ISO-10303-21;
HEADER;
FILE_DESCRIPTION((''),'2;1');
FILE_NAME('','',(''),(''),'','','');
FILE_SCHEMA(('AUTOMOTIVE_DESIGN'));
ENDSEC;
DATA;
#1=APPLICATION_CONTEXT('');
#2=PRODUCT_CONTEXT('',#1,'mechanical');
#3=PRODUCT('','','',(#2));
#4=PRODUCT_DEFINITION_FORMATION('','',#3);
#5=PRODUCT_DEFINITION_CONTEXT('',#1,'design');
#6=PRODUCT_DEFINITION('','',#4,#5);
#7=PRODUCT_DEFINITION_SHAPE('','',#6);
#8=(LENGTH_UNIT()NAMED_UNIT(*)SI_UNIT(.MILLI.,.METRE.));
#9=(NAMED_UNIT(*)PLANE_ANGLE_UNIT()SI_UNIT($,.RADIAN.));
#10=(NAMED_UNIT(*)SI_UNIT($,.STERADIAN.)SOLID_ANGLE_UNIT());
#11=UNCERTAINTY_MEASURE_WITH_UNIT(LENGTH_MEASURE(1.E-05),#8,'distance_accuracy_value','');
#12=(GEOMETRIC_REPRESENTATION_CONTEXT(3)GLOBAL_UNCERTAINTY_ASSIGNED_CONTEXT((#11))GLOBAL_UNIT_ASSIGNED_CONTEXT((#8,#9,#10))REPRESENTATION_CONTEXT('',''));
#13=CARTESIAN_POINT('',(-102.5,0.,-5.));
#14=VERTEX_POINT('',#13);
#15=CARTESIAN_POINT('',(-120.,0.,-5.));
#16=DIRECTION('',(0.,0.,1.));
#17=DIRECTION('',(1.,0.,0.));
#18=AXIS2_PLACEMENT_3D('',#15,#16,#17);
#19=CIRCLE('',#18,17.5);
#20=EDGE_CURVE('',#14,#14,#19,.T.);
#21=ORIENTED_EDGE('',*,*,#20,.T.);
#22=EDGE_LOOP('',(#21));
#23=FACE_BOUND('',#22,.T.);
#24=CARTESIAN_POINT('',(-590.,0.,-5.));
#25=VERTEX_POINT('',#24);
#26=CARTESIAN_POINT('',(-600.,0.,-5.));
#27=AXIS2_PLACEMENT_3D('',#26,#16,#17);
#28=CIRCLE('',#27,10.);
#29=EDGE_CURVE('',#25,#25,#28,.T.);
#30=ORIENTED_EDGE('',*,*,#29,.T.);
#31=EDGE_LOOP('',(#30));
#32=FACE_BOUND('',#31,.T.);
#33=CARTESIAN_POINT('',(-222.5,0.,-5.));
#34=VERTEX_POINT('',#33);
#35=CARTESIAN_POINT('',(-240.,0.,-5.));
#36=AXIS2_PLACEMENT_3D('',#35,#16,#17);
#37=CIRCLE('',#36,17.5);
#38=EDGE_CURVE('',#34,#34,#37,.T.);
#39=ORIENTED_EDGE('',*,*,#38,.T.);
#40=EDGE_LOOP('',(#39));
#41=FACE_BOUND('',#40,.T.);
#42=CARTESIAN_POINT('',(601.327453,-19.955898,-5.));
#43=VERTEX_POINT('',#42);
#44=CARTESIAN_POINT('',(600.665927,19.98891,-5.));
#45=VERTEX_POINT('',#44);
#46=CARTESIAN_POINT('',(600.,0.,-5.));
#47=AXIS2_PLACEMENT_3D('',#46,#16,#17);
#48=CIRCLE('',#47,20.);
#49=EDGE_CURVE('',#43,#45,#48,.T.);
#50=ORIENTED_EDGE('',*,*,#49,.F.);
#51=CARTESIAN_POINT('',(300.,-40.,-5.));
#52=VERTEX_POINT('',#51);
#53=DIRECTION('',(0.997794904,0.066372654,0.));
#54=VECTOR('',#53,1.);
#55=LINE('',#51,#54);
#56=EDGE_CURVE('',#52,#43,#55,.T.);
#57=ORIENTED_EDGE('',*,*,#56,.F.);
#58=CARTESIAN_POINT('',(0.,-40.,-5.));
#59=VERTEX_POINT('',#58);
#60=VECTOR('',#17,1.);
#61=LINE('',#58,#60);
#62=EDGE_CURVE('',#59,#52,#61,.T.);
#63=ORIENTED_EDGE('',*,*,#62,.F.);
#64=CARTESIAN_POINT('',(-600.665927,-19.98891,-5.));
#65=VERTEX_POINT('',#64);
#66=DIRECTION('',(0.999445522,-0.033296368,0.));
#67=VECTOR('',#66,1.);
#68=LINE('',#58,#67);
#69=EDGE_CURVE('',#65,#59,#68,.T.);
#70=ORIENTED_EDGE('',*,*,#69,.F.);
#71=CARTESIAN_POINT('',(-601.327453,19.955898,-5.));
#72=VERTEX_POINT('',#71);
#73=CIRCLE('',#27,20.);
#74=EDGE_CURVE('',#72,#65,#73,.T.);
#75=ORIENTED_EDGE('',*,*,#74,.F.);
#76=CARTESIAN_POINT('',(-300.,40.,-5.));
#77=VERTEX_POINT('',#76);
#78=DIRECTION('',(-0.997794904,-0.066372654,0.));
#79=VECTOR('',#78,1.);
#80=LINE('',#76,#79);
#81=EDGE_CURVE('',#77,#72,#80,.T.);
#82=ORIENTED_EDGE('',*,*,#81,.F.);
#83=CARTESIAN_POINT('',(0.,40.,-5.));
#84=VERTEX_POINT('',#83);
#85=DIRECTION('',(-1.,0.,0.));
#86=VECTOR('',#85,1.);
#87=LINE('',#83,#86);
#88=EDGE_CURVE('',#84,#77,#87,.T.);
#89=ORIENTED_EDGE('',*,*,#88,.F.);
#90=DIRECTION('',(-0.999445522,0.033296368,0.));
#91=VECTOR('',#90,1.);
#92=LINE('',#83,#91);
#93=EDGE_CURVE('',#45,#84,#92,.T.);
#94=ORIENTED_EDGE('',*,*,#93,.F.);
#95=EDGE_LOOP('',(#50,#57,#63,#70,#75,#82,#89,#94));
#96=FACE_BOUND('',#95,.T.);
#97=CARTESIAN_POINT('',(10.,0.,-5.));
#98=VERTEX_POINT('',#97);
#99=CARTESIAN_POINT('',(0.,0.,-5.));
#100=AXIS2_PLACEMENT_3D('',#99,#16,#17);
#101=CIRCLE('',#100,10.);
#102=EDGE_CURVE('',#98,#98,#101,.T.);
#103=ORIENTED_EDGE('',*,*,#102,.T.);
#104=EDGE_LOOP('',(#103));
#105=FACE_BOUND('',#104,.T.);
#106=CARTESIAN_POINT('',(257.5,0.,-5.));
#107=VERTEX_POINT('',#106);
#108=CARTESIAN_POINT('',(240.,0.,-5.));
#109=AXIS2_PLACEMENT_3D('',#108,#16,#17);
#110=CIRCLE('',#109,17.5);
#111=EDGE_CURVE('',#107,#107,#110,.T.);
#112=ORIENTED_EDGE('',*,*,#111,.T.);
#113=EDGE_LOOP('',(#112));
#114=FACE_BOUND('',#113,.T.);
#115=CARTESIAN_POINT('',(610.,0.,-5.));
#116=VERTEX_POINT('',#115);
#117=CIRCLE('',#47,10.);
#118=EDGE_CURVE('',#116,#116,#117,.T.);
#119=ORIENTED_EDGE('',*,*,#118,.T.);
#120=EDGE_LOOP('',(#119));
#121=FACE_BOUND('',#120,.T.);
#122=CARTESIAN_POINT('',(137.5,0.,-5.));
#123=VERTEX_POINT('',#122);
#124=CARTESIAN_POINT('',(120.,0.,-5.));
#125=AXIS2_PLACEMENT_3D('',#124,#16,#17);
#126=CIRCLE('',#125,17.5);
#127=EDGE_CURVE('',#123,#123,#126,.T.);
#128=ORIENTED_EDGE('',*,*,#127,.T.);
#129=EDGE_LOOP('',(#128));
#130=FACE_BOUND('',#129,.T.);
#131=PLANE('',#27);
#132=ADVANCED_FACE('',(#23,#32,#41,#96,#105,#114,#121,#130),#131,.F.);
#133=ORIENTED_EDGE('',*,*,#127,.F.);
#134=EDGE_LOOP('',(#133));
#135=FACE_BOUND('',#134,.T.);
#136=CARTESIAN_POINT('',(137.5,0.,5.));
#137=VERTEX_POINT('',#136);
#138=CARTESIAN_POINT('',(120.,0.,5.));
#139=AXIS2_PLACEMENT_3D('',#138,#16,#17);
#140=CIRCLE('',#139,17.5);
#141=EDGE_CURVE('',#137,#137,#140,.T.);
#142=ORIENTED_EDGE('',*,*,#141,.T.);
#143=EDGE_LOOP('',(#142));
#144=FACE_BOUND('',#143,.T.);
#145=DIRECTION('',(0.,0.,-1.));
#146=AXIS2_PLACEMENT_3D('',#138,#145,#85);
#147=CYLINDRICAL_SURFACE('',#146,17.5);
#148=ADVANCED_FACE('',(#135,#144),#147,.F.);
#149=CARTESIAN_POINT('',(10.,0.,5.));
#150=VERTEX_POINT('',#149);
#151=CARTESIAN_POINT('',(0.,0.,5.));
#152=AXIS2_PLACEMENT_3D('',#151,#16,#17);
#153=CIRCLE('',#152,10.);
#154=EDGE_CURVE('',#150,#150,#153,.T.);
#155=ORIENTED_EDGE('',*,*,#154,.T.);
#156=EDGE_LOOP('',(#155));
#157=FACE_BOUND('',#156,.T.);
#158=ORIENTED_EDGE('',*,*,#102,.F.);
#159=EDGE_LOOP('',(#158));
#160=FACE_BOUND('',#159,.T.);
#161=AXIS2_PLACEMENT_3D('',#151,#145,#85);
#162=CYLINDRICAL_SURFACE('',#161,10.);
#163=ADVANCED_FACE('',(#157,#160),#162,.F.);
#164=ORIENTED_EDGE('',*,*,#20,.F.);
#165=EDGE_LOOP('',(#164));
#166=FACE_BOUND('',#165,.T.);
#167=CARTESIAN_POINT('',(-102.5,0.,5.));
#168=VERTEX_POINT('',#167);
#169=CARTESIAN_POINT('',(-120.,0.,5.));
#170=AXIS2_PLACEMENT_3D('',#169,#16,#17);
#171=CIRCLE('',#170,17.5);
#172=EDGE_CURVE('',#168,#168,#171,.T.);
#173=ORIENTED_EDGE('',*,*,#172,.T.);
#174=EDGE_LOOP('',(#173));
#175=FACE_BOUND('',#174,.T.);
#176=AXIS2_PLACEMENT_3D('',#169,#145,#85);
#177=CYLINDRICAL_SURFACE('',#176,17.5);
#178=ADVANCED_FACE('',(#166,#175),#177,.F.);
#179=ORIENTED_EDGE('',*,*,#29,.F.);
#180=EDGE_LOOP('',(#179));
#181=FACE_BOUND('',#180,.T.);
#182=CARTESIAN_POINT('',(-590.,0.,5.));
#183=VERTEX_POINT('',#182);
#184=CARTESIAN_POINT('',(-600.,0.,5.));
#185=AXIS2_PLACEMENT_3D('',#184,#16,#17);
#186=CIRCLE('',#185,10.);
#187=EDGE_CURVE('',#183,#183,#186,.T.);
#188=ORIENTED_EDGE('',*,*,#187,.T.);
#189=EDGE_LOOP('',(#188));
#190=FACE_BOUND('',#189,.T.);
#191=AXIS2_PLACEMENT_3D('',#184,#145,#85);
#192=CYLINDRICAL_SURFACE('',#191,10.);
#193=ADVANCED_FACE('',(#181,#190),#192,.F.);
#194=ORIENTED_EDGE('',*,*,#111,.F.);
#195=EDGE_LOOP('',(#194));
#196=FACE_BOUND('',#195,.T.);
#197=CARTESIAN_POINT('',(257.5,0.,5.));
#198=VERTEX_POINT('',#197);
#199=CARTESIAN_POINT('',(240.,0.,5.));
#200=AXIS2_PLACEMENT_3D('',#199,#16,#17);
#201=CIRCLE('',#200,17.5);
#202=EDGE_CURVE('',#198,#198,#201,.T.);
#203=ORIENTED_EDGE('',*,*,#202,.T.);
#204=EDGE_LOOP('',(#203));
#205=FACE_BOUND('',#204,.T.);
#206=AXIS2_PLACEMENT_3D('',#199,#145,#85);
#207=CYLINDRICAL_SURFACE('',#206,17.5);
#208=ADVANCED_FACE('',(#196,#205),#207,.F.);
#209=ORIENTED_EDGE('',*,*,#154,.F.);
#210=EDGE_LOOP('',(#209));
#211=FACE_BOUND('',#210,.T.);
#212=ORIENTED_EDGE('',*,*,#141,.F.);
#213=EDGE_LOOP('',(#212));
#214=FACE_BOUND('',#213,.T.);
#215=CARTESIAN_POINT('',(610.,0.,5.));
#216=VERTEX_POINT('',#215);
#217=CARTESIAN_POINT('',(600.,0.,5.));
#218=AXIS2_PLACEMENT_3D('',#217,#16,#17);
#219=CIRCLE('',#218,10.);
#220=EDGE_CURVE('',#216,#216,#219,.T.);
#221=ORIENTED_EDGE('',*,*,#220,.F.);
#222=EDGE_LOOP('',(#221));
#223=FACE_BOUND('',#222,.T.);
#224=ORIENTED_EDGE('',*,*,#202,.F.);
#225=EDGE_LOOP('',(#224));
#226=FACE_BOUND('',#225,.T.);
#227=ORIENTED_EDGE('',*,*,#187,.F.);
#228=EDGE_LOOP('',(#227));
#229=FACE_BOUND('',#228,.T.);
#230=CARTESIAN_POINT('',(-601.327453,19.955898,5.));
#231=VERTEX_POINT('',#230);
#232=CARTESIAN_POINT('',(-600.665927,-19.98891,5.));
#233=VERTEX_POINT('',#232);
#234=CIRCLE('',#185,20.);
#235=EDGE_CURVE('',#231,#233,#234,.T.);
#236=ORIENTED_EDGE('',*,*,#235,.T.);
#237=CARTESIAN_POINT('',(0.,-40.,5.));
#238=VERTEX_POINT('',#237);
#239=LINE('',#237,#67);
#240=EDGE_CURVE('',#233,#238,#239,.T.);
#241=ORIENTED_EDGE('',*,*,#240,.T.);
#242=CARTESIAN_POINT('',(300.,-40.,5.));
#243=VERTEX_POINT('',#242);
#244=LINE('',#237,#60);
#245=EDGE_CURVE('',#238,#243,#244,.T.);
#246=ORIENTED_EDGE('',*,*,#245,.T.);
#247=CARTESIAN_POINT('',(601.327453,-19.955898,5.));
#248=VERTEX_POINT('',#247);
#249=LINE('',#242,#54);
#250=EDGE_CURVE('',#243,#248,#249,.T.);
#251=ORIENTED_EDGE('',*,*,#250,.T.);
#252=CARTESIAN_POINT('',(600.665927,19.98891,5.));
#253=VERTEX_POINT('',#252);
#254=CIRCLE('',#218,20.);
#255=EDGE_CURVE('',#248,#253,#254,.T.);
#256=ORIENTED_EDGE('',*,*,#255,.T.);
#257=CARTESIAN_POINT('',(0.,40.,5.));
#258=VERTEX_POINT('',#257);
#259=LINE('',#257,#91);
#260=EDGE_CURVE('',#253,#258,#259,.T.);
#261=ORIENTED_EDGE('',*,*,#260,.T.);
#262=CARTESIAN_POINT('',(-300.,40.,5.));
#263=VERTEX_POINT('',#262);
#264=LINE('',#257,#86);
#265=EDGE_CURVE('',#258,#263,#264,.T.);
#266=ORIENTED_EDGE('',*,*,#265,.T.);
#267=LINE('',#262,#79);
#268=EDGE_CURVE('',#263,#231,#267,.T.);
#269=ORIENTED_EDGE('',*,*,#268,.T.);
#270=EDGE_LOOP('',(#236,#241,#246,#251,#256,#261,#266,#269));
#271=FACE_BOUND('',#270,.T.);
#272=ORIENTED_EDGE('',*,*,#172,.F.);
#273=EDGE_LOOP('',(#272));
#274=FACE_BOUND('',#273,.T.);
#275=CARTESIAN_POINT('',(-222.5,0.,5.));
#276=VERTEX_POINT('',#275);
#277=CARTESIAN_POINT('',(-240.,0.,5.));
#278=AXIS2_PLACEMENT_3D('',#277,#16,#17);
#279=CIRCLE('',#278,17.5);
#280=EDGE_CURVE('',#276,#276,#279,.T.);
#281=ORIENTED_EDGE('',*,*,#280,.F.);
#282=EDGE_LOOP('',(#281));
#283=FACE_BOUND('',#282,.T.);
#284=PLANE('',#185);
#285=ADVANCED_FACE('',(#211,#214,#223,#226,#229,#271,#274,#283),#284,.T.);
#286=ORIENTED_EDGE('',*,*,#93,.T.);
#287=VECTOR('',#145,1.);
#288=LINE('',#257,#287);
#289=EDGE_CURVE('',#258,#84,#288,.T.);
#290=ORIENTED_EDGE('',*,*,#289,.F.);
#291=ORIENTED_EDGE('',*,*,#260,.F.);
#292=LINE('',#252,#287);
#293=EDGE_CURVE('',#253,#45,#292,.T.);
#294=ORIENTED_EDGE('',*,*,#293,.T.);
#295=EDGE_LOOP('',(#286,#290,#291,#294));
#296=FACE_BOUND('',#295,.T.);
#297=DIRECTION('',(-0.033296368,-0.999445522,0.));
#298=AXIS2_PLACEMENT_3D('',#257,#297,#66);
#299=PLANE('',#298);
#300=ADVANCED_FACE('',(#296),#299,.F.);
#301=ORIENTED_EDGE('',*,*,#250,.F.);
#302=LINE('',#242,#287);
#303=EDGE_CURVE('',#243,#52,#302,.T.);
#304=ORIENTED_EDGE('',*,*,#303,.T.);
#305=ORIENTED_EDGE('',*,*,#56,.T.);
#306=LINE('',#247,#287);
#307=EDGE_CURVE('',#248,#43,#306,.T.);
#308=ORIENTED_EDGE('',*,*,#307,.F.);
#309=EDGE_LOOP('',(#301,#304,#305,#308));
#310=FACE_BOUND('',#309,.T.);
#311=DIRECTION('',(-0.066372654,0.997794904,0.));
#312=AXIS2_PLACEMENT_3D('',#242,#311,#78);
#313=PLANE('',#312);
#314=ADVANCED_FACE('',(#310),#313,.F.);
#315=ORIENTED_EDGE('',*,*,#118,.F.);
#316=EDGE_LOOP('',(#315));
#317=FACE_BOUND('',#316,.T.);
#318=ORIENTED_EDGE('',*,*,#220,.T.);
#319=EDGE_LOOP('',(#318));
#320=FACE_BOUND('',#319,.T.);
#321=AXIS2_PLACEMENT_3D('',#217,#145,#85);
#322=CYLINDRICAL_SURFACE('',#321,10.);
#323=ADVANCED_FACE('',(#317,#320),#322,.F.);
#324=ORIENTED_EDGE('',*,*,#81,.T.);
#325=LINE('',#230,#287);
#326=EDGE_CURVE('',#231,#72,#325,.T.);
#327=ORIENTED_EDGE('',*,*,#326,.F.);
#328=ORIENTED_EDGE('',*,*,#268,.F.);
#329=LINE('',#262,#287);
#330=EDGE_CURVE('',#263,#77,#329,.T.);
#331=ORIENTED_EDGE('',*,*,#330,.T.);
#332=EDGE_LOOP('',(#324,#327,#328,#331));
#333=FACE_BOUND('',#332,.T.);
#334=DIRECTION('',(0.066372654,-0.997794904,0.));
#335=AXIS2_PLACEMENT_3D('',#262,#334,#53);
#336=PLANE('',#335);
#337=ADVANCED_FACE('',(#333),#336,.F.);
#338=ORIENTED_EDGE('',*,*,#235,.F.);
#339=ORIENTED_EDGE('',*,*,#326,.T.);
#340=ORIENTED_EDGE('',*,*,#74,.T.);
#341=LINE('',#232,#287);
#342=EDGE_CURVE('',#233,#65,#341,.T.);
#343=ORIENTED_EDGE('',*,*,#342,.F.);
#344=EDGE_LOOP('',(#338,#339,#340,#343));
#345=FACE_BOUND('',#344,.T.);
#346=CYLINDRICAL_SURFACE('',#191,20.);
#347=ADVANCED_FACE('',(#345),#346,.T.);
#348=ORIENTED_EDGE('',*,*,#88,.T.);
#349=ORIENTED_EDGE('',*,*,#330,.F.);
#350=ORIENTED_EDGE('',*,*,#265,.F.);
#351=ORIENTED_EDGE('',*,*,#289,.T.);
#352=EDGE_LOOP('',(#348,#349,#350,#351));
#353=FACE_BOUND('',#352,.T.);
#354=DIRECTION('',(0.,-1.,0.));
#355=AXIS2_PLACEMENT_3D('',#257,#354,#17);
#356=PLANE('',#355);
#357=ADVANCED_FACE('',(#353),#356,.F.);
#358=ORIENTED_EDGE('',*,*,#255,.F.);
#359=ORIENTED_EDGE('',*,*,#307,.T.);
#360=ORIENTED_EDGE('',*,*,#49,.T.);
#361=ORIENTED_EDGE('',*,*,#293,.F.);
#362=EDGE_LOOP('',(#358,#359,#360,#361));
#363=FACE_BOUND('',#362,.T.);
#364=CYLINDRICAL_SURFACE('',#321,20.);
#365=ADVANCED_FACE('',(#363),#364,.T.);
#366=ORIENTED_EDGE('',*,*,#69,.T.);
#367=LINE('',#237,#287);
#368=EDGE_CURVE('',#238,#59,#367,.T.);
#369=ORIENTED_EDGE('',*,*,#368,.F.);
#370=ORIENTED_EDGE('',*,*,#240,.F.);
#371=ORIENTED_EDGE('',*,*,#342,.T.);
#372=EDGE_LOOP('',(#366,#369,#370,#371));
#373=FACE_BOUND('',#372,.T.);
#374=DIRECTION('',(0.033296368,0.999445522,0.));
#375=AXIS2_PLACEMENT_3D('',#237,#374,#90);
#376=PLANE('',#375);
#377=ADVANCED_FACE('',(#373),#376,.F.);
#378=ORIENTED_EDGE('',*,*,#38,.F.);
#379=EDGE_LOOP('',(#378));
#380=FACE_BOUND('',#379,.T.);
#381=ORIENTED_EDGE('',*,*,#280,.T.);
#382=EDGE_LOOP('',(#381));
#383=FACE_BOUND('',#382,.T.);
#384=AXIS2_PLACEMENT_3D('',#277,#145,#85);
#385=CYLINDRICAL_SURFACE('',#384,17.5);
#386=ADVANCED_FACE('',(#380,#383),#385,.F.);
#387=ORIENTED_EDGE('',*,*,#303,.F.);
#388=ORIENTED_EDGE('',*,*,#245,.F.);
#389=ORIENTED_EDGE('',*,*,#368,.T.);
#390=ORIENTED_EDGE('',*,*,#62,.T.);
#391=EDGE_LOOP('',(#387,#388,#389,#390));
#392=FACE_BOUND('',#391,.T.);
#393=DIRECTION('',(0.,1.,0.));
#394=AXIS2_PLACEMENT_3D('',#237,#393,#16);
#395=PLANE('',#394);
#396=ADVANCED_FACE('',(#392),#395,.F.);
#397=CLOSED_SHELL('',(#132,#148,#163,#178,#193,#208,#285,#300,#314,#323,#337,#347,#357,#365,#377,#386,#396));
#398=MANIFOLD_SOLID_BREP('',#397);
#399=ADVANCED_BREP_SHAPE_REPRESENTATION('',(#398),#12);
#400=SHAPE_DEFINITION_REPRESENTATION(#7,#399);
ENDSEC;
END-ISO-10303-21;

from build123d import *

# Parameters (mm, degrees)
SKETCH1_R           = 10
SKETCH1_R_2         = 17.5
BOSS_EXTRUDE1_DEPTH = 5


with BuildPart() as part:
    # Sketch1 → Boss-Extrude1 (new body, symmetric)
    with BuildSketch(Plane.XY):
        with BuildLine():
            Line((0, 40), (-300, 40))
            Line((-300, 40), (-601.327453078, 19.955898084))
            ThreePointArc((-601.327453078, 19.955898084), (-619.997257899, -0.331174458), (-600.665927363, -19.988910444))
            Line((-600.665927363, -19.988910444), (0, -40))
            Line((0, -40), (300, -40))
            Line((300, -40), (601.327453078, -19.955898084))
            ThreePointArc((601.327453078, -19.955898084), (619.997257899, 0.331174458), (600.665927363, 19.988910444))
            Line((600.665927363, 19.988910444), (0, 40))
        make_face()
        with Locations((-600, 0)):
            Circle(SKETCH1_R, mode=Mode.SUBTRACT)
        with Locations((600, 0)):
            Circle(SKETCH1_R, mode=Mode.SUBTRACT)
        Circle(SKETCH1_R, mode=Mode.SUBTRACT)
        with Locations((-120, 0)):
            Circle(SKETCH1_R_2, mode=Mode.SUBTRACT)
        with Locations((-240, 0)):
            Circle(SKETCH1_R_2, mode=Mode.SUBTRACT)
        with Locations((120, 0)):
            Circle(SKETCH1_R_2, mode=Mode.SUBTRACT)
        with Locations((240, 0)):
            Circle(SKETCH1_R_2, mode=Mode.SUBTRACT)
    extrude(amount=BOSS_EXTRUDE1_DEPTH, both=True)


solid = part.part
